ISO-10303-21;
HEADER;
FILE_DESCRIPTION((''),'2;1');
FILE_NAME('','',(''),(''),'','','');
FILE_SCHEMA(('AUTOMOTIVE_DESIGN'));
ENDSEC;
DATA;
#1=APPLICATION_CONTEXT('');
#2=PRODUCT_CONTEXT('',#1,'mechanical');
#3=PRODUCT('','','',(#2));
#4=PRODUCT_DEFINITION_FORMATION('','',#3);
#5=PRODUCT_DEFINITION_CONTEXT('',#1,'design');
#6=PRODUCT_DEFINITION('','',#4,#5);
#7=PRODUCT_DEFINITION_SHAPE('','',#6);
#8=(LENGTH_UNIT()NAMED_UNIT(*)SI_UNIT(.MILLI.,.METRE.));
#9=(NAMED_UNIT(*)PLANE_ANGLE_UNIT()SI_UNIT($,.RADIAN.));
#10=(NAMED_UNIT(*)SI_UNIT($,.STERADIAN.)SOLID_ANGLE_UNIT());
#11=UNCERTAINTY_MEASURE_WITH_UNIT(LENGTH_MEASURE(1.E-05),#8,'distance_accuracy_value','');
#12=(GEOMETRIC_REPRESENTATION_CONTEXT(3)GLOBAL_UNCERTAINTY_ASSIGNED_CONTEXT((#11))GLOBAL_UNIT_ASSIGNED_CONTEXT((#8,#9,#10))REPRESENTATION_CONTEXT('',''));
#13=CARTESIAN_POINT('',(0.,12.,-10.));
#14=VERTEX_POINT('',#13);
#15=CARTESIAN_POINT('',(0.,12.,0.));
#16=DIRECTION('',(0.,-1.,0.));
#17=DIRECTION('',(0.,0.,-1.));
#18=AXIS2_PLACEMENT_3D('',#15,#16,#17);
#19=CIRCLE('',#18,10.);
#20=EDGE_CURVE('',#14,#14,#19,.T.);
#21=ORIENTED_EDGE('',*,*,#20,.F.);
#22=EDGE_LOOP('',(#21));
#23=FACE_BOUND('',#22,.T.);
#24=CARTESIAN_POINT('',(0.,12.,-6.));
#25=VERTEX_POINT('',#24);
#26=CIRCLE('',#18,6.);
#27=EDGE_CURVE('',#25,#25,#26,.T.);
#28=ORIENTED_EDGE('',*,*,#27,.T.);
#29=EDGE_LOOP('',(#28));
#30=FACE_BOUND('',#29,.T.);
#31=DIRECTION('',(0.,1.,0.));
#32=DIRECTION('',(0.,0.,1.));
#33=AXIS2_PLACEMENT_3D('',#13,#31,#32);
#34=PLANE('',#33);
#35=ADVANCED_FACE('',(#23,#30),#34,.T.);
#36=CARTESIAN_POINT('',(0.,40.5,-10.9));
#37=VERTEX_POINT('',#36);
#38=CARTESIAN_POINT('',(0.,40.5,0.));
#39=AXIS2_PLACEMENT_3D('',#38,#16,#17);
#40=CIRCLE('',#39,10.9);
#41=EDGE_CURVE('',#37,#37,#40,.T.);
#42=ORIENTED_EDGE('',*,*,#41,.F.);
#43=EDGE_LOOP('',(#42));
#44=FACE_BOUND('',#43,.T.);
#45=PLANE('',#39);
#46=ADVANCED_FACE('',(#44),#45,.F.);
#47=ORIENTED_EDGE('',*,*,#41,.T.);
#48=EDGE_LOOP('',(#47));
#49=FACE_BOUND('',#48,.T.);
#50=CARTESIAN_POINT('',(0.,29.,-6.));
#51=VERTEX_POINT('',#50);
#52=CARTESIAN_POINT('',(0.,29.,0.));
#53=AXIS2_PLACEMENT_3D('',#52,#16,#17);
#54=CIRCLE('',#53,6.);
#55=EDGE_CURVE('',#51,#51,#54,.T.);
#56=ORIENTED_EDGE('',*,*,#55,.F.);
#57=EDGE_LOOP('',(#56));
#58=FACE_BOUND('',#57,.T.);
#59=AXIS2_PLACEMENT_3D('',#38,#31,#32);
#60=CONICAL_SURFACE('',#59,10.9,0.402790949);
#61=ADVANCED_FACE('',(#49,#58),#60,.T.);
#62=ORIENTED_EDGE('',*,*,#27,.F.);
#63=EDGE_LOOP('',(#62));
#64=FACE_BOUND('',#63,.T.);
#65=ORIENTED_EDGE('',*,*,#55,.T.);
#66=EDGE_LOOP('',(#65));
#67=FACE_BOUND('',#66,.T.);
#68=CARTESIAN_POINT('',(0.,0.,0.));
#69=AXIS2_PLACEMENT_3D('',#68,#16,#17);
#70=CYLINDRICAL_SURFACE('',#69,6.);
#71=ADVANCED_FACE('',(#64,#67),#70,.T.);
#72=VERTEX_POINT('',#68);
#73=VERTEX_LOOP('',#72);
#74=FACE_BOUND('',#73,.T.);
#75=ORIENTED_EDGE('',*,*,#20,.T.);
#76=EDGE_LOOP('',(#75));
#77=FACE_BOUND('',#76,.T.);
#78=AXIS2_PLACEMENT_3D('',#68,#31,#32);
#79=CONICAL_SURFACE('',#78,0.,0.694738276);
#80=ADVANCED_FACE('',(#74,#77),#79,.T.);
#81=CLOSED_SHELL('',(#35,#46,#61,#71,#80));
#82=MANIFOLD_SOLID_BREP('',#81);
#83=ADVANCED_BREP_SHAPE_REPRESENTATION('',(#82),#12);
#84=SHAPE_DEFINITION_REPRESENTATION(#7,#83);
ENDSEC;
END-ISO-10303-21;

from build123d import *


with BuildPart() as part:
    # Sketch1 → Revolve1 (revolve)
    with BuildSketch(Plane(origin=(0, 0, 0), x_dir=(0, 0, -1), z_dir=(1, 0, 0))):
        Polygon((0, 0), (10, 12), (6, 12), (6, 29), (10.9, 40.5), (0, 40.5), align=None)
    revolve(axis=Axis((0, 0, 0), (0, 1, 0)))


solid = part.part
